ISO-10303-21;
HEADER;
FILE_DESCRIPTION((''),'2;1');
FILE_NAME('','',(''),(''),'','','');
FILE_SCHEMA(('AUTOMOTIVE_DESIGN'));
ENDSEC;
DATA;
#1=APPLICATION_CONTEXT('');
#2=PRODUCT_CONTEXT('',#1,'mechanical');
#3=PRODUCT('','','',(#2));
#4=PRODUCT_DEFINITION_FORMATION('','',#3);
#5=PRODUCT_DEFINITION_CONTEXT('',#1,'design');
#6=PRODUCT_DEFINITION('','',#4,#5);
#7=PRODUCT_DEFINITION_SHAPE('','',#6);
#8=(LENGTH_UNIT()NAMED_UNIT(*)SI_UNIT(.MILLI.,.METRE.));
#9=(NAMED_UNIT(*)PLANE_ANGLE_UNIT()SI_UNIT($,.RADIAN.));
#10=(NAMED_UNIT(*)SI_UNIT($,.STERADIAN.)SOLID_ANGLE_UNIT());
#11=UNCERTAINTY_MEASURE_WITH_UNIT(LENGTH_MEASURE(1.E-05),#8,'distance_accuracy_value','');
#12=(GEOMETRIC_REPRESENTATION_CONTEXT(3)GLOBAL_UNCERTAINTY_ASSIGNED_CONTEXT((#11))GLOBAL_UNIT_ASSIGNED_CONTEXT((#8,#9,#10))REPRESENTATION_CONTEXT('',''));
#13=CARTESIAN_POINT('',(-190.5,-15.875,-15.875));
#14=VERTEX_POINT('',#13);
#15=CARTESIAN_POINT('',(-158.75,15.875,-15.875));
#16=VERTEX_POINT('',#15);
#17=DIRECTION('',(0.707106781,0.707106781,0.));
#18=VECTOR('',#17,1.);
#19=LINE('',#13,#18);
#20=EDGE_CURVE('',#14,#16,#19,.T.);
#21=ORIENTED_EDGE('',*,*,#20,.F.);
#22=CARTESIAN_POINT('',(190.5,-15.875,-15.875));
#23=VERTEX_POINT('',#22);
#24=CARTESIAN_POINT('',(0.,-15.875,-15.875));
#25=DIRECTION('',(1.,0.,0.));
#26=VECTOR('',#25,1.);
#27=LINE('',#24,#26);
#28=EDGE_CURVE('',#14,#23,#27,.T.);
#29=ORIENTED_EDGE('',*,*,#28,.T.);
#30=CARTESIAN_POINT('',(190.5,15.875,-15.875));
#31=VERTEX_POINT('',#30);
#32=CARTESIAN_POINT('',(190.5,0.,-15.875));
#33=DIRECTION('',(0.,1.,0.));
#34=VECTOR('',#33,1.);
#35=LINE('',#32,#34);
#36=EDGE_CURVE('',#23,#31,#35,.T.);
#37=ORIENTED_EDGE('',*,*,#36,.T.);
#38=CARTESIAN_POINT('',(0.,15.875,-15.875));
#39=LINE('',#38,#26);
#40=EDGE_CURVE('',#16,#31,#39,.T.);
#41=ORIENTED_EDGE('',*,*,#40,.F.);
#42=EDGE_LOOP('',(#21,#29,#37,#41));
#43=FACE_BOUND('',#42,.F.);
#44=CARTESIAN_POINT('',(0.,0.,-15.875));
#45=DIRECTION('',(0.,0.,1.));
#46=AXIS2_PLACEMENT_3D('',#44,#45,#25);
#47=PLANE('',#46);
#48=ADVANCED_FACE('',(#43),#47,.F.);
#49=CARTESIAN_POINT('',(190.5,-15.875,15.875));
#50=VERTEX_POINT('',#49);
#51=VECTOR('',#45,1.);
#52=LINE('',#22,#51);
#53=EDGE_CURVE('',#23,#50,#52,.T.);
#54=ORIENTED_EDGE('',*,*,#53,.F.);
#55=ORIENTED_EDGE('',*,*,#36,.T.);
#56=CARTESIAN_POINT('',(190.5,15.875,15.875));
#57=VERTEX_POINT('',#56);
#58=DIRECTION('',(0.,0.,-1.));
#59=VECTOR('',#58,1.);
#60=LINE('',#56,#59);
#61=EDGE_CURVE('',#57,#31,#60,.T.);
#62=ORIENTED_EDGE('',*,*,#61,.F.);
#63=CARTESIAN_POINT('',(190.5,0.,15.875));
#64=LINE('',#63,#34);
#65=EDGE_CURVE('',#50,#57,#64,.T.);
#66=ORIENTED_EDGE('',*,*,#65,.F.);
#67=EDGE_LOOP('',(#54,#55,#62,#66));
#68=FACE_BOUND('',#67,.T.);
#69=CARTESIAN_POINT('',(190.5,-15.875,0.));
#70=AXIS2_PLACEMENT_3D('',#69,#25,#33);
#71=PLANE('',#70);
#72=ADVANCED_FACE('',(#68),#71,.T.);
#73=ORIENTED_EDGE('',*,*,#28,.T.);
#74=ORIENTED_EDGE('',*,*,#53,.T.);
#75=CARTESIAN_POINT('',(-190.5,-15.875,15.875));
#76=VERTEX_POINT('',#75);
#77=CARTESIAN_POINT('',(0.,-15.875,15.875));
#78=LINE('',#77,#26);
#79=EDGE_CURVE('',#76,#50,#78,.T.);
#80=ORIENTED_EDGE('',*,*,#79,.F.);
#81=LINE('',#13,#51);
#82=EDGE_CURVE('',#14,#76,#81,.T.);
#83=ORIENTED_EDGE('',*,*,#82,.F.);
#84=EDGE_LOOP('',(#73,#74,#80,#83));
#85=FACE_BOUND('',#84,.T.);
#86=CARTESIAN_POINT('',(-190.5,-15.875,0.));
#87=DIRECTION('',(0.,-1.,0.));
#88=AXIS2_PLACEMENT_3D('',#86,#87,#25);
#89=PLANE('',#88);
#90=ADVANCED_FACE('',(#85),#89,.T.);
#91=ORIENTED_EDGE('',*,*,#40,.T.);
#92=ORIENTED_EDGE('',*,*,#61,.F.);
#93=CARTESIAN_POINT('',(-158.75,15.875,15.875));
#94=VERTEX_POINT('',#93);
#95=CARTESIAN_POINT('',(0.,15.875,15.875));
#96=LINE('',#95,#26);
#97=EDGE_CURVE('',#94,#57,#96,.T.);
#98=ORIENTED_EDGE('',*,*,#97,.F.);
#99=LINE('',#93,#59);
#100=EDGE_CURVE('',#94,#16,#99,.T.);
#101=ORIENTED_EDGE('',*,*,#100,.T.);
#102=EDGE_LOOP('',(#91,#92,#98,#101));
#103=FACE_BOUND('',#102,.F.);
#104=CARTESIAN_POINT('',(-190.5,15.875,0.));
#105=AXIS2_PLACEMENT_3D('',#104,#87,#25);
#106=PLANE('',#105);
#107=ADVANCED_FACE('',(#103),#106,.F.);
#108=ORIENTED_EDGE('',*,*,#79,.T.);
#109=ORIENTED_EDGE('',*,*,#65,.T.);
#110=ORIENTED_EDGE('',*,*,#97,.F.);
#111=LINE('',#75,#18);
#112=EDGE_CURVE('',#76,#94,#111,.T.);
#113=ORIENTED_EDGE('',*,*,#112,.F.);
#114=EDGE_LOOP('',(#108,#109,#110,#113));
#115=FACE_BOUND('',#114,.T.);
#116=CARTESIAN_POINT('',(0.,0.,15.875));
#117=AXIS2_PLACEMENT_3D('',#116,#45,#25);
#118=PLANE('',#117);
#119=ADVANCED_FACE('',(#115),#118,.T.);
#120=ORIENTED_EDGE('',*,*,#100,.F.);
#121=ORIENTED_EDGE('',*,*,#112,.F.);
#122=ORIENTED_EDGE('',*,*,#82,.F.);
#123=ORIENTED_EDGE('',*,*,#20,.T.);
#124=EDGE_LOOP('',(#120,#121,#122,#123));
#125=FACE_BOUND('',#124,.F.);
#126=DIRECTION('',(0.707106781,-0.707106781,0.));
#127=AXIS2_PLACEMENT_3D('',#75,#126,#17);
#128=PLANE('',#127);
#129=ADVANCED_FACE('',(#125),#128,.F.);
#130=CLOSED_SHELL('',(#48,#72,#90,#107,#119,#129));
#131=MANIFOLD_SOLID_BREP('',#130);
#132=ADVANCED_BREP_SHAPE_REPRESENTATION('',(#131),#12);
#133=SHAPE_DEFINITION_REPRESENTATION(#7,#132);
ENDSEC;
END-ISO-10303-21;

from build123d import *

# Parameters (mm, degrees)
F0_W     = 381
F0_H     = 31.75
F1_DEPTH = 15.875
F3_DEPTH = 31.75


with BuildPart() as f1:
    # F0 (on Top) → F1 (new body, symmetric)
    with BuildSketch(Plane.XY):
        Rectangle(F0_W, F0_H)
    extrude(amount=F1_DEPTH, both=True)

    # F2 (on face) → F3 (cut)
    with BuildSketch(Plane.XY.offset(15.875)):
        Polygon((-190.5, 15.875), (-190.5, -15.875), (-158.75, 15.875), align=None)
    extrude(amount=-F3_DEPTH, mode=Mode.SUBTRACT)


solid = f1.part
